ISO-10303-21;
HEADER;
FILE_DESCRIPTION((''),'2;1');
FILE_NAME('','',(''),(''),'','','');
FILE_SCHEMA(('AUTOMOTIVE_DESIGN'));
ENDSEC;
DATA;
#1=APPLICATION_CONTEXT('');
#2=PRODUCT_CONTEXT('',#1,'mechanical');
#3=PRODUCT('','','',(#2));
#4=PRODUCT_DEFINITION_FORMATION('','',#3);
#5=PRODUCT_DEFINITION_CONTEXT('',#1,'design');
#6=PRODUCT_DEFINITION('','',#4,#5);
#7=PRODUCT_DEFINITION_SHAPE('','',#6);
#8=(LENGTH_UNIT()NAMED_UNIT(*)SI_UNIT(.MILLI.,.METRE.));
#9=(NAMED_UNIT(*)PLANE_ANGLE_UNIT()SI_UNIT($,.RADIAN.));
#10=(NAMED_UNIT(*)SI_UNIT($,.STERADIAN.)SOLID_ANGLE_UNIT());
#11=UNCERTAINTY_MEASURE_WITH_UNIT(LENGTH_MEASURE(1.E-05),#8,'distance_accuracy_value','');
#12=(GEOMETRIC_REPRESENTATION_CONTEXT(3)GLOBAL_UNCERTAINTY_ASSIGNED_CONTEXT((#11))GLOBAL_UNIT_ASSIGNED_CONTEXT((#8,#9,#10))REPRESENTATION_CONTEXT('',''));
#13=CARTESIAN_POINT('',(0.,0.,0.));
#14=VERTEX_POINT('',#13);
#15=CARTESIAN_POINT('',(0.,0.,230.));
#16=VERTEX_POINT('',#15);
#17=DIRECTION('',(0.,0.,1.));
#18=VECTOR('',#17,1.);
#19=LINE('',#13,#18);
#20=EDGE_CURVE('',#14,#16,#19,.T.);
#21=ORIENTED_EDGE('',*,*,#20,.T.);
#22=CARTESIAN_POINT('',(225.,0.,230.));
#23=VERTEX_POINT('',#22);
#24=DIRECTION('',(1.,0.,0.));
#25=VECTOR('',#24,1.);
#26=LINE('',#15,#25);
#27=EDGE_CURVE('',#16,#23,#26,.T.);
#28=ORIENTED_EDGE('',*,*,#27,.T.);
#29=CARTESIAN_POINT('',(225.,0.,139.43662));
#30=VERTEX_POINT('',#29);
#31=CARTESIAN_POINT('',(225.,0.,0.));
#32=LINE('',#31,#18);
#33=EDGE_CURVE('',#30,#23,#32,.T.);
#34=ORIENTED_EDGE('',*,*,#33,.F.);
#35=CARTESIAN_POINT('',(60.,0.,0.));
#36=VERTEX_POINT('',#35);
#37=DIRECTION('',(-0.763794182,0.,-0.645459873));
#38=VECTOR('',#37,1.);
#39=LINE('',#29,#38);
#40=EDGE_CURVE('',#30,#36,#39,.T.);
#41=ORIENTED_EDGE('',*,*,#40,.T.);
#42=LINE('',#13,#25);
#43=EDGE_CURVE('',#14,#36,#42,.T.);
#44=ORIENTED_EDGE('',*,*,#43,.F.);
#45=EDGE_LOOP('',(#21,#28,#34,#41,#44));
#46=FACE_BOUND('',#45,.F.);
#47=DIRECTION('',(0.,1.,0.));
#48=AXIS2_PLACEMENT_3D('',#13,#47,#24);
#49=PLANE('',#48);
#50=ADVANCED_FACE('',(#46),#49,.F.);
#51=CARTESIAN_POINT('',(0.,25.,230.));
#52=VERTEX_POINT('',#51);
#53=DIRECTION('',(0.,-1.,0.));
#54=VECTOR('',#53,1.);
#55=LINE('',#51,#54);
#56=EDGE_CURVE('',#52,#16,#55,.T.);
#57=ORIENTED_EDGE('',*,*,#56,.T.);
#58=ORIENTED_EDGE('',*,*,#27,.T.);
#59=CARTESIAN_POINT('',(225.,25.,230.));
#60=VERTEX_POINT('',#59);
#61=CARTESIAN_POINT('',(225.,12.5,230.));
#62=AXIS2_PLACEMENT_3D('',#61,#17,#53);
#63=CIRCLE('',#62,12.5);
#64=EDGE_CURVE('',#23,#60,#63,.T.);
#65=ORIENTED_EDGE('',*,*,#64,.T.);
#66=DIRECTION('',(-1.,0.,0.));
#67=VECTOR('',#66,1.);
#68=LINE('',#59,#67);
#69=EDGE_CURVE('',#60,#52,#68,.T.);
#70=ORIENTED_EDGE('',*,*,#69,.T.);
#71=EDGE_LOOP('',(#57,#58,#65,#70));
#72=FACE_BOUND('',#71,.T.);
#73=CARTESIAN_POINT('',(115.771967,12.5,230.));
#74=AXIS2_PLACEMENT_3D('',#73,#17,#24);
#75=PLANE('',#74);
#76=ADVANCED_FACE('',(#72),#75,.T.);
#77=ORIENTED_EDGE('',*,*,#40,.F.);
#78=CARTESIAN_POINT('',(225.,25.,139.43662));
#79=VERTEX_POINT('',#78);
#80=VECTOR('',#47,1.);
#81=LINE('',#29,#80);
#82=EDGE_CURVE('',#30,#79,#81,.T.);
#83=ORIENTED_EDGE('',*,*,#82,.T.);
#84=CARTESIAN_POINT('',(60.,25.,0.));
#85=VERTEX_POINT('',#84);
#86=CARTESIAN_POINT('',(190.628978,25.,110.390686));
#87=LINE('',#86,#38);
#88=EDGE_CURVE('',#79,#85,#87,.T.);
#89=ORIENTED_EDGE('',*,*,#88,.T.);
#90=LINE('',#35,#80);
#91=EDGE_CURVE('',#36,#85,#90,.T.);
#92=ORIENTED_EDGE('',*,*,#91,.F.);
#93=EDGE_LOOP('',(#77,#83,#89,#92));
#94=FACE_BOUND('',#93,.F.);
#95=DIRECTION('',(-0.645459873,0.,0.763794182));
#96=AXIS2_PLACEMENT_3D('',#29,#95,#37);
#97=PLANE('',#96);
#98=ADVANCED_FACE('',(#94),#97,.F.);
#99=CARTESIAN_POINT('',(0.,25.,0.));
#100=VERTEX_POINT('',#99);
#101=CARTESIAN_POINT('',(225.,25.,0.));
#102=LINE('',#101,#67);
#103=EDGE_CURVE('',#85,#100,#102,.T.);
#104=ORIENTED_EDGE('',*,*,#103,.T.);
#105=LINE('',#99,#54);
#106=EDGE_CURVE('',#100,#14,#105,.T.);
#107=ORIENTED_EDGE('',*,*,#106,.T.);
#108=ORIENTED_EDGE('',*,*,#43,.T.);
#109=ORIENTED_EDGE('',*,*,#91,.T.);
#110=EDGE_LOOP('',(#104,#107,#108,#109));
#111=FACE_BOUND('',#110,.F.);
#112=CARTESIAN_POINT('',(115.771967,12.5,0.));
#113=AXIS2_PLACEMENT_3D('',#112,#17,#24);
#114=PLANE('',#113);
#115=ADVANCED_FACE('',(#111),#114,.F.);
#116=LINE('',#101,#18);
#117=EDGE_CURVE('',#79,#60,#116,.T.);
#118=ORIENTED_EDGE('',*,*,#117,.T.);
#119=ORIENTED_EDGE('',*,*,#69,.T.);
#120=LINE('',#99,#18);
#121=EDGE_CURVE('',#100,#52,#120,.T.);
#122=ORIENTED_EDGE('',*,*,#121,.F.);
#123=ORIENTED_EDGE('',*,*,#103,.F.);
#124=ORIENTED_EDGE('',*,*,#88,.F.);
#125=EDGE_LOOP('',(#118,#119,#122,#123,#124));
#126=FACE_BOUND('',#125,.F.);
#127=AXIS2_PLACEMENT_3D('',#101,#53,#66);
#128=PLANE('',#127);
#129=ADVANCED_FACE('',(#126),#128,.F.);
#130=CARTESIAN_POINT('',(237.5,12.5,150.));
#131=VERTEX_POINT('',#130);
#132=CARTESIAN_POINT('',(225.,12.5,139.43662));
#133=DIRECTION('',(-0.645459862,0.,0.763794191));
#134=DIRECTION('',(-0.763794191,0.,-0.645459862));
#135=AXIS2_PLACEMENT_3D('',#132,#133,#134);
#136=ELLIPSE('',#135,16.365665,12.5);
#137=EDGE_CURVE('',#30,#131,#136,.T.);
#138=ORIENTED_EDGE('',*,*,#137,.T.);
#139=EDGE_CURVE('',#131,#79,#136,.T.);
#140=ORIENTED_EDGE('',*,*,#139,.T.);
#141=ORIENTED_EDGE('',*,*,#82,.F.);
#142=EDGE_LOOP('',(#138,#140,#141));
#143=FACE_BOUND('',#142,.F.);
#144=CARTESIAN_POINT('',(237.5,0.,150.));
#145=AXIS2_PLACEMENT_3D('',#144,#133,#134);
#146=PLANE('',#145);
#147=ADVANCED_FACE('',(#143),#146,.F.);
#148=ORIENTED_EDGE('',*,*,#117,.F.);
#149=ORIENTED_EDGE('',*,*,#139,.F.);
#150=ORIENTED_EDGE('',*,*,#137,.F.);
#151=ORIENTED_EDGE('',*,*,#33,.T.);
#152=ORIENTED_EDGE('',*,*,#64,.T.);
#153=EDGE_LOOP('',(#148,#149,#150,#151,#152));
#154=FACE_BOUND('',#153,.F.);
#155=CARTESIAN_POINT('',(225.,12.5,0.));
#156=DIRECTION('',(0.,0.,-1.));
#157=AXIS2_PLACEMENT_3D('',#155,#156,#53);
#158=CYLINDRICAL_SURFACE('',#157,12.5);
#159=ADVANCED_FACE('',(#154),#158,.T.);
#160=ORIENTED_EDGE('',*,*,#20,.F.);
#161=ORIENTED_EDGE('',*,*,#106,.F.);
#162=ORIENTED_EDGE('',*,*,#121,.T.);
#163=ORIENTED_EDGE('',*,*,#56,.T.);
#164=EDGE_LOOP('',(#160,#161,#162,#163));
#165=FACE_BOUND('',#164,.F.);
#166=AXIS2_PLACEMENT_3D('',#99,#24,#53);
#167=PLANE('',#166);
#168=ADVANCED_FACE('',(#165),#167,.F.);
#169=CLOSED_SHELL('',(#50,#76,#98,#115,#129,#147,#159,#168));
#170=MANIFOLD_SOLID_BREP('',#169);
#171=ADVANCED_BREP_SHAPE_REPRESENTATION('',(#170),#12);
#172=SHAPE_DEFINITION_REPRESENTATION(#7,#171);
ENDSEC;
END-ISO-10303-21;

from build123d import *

# Parameters (mm, degrees)
F1_DEPTH = 230
F3_DEPTH = 25.001


with BuildPart() as f1:
    # F0 (on Top) → F1 (new body)
    with BuildSketch(Plane.XY):
        with BuildLine():
            Line((0, 25), (0, 0))
            Line((0, 0), (225, 0))
            ThreePointArc((225, 0), (237.5, 12.5), (225, 25))
            Line((225, 25), (0, 25))
        make_face()
    extrude(amount=F1_DEPTH)

    # F2 (on face) → F3 (cut, through all)
    with BuildSketch(Plane.XZ):
        Polygon((237.5, 0), (237.5, 150), (225, 139.43662), (225, 0), align=None)
        Polygon((225, 0), (225, 139.43662), (60, 0), align=None)
    extrude(amount=-F3_DEPTH, mode=Mode.SUBTRACT)


solid = f1.part
